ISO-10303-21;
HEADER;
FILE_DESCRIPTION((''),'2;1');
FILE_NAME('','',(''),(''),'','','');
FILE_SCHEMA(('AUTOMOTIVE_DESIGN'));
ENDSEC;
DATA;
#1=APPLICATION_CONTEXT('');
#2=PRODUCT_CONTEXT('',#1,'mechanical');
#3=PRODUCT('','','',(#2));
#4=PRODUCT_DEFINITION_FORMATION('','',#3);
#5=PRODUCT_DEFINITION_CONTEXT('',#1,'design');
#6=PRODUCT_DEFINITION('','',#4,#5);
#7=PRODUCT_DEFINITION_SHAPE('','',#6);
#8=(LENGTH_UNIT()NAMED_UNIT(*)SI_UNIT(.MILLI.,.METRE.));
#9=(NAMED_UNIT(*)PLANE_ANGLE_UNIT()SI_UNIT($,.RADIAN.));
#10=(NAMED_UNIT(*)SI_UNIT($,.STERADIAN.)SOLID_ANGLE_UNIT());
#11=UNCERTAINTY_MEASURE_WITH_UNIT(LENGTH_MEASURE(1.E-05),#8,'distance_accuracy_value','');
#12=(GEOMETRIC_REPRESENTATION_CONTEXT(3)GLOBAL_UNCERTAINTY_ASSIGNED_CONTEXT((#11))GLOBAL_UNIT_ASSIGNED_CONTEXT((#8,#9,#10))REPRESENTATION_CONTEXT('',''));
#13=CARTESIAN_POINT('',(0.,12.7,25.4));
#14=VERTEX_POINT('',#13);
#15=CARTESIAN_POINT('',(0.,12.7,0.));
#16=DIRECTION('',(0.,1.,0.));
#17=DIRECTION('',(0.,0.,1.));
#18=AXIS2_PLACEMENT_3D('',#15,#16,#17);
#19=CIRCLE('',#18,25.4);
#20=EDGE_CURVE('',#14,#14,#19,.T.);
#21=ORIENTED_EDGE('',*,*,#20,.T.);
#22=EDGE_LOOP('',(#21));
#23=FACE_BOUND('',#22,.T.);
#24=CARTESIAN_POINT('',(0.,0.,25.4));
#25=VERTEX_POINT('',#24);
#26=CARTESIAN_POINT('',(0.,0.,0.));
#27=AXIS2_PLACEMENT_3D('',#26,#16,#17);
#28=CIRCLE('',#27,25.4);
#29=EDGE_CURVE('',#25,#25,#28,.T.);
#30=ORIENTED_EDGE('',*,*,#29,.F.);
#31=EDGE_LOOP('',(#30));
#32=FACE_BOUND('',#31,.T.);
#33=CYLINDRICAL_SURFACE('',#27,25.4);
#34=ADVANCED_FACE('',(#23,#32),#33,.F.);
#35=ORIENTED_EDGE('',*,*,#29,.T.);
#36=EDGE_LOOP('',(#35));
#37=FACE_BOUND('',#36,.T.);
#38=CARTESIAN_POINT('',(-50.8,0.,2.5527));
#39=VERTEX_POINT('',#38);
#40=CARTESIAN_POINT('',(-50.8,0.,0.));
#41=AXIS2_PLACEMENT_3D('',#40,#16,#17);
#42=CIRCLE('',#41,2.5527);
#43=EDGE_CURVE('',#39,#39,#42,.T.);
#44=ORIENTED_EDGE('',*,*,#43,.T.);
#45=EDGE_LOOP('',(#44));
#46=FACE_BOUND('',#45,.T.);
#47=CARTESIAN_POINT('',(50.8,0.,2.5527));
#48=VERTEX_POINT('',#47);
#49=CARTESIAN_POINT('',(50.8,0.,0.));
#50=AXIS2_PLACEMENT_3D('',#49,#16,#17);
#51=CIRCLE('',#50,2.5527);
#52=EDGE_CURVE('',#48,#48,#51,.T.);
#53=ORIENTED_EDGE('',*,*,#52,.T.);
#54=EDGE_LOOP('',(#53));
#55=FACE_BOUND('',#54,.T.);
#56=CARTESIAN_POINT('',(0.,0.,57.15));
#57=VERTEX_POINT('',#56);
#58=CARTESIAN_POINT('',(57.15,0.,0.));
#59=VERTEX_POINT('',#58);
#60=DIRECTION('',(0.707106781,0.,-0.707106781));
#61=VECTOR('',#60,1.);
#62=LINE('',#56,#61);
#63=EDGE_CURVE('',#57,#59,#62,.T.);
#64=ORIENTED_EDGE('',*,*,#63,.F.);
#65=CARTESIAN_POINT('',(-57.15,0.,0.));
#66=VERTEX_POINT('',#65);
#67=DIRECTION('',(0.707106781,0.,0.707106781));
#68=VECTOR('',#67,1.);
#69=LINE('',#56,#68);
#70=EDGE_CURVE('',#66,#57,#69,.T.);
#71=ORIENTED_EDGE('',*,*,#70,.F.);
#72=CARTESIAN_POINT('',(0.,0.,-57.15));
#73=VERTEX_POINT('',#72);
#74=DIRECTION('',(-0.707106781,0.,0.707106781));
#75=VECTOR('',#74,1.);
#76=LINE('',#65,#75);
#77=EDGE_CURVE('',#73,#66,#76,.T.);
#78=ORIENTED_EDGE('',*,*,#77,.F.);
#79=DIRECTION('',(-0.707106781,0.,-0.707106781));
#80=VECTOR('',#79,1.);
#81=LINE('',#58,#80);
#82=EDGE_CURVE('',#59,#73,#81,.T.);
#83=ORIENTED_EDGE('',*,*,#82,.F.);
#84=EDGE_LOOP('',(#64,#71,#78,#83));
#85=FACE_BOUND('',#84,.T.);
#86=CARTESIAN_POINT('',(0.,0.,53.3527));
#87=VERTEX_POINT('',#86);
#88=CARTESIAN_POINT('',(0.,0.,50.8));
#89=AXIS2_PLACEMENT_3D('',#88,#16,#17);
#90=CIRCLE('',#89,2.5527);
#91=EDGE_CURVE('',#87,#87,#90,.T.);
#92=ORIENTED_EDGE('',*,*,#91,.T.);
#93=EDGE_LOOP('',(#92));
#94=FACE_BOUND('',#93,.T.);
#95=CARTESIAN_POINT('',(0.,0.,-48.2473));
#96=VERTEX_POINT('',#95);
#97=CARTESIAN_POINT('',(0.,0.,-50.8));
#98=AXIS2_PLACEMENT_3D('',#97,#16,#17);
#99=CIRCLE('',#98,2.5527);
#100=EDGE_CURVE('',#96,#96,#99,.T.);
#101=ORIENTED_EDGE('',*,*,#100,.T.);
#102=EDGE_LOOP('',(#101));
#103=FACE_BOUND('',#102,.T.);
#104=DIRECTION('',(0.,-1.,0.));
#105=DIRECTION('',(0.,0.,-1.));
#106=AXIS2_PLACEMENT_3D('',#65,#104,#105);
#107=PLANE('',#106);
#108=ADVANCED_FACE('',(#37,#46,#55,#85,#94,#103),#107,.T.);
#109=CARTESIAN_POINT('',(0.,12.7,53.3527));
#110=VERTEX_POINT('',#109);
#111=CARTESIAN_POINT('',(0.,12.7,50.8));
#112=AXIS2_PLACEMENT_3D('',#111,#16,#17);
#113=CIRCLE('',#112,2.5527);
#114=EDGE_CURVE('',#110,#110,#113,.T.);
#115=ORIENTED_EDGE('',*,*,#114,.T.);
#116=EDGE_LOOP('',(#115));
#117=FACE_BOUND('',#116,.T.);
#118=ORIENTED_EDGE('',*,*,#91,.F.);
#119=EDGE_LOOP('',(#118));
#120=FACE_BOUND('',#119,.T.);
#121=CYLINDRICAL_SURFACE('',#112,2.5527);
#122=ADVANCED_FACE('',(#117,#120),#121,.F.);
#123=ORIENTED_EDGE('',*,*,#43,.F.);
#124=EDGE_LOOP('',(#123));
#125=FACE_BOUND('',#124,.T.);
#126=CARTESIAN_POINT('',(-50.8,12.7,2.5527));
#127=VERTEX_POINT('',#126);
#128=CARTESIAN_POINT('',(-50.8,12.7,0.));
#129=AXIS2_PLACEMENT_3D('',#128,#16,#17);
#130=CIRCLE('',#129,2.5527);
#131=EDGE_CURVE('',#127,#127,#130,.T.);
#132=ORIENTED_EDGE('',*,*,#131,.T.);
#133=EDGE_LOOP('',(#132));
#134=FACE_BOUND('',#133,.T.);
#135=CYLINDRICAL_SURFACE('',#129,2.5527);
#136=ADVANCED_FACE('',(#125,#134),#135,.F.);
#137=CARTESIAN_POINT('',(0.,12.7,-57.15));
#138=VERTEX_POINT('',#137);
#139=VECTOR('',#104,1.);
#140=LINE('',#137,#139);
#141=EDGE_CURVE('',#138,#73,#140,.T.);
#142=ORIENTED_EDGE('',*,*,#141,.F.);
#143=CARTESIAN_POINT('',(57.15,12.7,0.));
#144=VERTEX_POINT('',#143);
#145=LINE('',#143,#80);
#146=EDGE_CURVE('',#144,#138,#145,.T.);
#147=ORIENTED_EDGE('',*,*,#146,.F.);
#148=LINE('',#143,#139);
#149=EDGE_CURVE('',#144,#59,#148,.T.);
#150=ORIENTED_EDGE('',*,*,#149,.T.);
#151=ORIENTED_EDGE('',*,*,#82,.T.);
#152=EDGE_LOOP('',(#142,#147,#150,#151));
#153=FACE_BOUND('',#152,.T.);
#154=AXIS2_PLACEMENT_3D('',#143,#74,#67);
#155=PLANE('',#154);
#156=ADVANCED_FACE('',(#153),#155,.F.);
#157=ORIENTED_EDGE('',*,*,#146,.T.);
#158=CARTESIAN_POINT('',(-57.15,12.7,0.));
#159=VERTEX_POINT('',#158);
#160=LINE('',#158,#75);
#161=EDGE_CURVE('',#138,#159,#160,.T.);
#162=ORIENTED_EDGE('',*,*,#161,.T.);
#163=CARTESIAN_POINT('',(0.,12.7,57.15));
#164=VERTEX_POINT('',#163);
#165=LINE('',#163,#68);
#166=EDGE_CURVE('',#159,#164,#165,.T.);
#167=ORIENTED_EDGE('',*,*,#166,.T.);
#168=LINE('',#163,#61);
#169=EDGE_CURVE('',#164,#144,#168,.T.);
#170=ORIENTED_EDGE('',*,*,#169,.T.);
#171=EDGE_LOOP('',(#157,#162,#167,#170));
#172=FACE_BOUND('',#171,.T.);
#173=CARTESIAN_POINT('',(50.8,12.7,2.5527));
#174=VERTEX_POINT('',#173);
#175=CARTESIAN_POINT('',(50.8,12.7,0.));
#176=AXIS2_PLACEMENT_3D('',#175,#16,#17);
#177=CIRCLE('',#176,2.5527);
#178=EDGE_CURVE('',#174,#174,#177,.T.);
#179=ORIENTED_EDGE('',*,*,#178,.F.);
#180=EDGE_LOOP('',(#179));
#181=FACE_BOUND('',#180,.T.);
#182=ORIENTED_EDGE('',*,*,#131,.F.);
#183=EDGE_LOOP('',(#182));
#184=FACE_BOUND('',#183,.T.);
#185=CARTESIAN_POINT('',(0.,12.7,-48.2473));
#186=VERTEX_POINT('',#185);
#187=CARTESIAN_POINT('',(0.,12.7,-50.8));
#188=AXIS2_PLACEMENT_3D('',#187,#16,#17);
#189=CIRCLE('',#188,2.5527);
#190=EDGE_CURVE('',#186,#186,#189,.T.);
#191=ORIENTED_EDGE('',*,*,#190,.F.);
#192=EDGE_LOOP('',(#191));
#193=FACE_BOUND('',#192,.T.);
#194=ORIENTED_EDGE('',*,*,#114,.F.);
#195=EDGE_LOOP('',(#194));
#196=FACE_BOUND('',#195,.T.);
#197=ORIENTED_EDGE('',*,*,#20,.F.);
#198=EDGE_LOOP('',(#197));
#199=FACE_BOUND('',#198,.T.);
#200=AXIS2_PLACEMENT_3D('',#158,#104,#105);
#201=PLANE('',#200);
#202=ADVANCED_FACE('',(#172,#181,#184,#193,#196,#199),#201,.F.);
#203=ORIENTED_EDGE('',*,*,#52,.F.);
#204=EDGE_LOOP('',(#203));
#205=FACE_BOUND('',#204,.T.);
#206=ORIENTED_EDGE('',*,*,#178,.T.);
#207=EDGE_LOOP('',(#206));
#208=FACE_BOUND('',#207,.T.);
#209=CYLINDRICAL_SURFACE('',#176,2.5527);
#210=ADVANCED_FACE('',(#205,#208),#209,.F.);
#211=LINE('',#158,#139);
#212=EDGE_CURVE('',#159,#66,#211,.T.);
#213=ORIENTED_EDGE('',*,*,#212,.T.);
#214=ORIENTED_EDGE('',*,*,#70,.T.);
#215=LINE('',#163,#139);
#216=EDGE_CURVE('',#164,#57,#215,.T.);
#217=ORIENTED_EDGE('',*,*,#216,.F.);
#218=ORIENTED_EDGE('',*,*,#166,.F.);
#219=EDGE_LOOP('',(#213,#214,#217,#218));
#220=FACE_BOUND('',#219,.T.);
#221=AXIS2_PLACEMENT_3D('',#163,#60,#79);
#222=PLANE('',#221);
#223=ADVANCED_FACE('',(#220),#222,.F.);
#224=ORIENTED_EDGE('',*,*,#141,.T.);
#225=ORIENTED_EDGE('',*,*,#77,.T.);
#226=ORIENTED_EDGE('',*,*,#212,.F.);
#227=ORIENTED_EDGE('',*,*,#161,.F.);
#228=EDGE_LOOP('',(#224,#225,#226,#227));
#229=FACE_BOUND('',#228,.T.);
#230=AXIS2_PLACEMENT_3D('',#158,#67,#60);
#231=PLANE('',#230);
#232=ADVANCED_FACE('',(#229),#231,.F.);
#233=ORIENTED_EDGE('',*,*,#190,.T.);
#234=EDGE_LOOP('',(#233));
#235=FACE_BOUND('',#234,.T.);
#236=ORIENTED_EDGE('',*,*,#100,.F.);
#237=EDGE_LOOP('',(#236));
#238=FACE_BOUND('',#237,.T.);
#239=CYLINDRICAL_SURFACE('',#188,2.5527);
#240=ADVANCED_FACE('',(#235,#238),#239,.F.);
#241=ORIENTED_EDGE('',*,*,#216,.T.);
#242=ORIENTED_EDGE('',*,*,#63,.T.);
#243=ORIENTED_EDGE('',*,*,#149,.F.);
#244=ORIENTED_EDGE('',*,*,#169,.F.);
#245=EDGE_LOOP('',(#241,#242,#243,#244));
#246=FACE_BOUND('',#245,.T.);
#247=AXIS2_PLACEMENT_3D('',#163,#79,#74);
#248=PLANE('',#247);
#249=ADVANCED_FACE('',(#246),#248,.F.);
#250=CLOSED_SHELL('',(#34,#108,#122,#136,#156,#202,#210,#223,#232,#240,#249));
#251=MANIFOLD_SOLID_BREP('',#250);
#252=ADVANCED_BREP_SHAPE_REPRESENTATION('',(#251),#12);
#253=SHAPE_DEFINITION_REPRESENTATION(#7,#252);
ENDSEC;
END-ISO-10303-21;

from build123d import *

# Parameters (mm, degrees)
BOSS_EXTRUDE1_DEPTH        = 12.7
SKETCH2_R                  = 25.4
CUT_EXTRUDE1_DEPTH         = 82.814026915
F_7_0_201_DIAMETER_HOLE1_D = 5.1054
CIRPATTERN1_COUNT          = 4


with BuildPart() as part:
    # Sketch1 → Boss-Extrude1 (new body)
    with BuildSketch(Plane(origin=(0, 0, 0), x_dir=(1, 0, 0), z_dir=(0, 1, 0))):
        Polygon((0, -57.15), (57.15, 0), (0, 57.15), (-57.15, 0), align=None)
    extrude(amount=BOSS_EXTRUDE1_DEPTH)

    # Sketch2 → Cut-Extrude1 (cut, through all)
    with BuildSketch(Plane(origin=(0, 12.7, 0), x_dir=(1, 0, 0), z_dir=(0, 1, 0))):
        with Locations(Location((0, 0, 0), (0, 0, 270))):
            Circle(SKETCH2_R)
    extrude(amount=-CUT_EXTRUDE1_DEPTH, mode=Mode.SUBTRACT)

    # #7 (0.201) Diameter Hole1 (through all)
    with Locations(Plane(origin=(0, 12.7, 0), x_dir=(-1, 0, 0), z_dir=(0, 1, 0))):
        with Locations((0, -50.8)):
            f_7_0_201_diameter_hole1 = Hole(F_7_0_201_DIAMETER_HOLE1_D / 2)

    # CirPattern1: #7 (0.201) Diameter Hole1 ×4 about axis
    cirpattern1_axis = Axis((0, 0, 0), (0, 1, 0))
    for i in range(1, CIRPATTERN1_COUNT):
        add(f_7_0_201_diameter_hole1.rotate(cirpattern1_axis, i * 360 / CIRPATTERN1_COUNT), mode=Mode.SUBTRACT)


solid = part.part
